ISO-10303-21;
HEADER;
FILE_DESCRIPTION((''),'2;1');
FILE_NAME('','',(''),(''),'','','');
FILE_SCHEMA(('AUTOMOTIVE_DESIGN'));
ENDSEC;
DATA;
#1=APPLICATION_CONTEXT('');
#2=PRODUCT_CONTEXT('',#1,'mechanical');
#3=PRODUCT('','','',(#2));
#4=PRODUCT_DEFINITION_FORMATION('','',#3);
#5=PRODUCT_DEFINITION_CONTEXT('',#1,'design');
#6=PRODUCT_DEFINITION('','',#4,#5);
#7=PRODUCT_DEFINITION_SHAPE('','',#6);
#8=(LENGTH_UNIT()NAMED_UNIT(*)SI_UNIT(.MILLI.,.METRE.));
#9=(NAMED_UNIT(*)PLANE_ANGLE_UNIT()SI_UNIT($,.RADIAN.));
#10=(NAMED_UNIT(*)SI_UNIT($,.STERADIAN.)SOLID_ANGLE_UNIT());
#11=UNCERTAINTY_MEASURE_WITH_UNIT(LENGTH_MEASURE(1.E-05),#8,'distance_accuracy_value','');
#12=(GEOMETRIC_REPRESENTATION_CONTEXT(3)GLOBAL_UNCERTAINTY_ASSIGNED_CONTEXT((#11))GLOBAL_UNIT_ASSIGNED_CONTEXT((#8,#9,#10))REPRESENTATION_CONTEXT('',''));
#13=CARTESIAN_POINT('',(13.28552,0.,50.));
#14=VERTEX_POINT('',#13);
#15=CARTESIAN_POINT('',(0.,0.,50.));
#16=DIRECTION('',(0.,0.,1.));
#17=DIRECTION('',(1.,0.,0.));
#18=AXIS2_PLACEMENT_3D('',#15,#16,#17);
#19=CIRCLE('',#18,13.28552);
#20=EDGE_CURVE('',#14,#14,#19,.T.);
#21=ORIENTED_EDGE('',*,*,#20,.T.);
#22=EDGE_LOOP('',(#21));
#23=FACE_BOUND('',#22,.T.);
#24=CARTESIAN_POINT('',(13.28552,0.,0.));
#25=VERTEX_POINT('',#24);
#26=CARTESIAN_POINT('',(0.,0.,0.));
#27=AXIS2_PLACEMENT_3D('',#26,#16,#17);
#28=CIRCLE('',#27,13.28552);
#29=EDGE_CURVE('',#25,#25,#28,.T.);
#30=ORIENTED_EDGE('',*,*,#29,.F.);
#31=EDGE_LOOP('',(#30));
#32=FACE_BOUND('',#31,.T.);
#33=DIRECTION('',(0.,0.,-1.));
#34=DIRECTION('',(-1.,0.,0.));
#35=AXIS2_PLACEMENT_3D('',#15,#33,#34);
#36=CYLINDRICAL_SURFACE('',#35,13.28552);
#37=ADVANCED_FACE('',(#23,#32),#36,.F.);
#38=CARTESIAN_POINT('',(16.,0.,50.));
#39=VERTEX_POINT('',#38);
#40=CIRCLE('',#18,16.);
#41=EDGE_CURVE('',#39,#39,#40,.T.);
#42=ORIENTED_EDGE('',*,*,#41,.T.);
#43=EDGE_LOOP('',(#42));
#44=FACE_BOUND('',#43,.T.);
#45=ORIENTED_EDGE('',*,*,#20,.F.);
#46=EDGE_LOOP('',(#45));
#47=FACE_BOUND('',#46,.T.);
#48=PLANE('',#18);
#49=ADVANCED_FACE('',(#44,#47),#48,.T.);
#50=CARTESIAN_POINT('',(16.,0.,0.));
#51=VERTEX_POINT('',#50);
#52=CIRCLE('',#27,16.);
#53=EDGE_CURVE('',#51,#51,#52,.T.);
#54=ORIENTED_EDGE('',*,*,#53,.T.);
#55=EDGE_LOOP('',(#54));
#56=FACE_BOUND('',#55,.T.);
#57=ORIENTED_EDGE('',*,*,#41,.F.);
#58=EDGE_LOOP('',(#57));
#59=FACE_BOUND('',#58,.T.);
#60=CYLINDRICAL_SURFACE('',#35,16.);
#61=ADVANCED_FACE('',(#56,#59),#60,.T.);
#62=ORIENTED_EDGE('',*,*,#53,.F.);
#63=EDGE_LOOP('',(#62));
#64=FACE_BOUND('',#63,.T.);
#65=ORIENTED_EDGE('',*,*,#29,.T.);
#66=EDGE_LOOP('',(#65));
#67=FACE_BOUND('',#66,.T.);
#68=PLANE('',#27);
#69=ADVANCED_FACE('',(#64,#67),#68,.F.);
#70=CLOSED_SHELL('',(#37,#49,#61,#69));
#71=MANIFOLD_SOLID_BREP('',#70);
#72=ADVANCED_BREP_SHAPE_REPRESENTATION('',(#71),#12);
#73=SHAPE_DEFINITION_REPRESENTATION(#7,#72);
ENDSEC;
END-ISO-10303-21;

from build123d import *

# Parameters (mm, degrees)
SKETCH1_R           = 16
SKETCH1_R_2         = 13.28551995
BOSS_EXTRUDE1_DEPTH = 50


with BuildPart() as part:
    # Sketch1 → Boss-Extrude1 (new body)
    with BuildSketch(Plane.XY):
        Circle(SKETCH1_R)
        Circle(SKETCH1_R_2, mode=Mode.SUBTRACT)
    extrude(amount=BOSS_EXTRUDE1_DEPTH)


solid = part.part
